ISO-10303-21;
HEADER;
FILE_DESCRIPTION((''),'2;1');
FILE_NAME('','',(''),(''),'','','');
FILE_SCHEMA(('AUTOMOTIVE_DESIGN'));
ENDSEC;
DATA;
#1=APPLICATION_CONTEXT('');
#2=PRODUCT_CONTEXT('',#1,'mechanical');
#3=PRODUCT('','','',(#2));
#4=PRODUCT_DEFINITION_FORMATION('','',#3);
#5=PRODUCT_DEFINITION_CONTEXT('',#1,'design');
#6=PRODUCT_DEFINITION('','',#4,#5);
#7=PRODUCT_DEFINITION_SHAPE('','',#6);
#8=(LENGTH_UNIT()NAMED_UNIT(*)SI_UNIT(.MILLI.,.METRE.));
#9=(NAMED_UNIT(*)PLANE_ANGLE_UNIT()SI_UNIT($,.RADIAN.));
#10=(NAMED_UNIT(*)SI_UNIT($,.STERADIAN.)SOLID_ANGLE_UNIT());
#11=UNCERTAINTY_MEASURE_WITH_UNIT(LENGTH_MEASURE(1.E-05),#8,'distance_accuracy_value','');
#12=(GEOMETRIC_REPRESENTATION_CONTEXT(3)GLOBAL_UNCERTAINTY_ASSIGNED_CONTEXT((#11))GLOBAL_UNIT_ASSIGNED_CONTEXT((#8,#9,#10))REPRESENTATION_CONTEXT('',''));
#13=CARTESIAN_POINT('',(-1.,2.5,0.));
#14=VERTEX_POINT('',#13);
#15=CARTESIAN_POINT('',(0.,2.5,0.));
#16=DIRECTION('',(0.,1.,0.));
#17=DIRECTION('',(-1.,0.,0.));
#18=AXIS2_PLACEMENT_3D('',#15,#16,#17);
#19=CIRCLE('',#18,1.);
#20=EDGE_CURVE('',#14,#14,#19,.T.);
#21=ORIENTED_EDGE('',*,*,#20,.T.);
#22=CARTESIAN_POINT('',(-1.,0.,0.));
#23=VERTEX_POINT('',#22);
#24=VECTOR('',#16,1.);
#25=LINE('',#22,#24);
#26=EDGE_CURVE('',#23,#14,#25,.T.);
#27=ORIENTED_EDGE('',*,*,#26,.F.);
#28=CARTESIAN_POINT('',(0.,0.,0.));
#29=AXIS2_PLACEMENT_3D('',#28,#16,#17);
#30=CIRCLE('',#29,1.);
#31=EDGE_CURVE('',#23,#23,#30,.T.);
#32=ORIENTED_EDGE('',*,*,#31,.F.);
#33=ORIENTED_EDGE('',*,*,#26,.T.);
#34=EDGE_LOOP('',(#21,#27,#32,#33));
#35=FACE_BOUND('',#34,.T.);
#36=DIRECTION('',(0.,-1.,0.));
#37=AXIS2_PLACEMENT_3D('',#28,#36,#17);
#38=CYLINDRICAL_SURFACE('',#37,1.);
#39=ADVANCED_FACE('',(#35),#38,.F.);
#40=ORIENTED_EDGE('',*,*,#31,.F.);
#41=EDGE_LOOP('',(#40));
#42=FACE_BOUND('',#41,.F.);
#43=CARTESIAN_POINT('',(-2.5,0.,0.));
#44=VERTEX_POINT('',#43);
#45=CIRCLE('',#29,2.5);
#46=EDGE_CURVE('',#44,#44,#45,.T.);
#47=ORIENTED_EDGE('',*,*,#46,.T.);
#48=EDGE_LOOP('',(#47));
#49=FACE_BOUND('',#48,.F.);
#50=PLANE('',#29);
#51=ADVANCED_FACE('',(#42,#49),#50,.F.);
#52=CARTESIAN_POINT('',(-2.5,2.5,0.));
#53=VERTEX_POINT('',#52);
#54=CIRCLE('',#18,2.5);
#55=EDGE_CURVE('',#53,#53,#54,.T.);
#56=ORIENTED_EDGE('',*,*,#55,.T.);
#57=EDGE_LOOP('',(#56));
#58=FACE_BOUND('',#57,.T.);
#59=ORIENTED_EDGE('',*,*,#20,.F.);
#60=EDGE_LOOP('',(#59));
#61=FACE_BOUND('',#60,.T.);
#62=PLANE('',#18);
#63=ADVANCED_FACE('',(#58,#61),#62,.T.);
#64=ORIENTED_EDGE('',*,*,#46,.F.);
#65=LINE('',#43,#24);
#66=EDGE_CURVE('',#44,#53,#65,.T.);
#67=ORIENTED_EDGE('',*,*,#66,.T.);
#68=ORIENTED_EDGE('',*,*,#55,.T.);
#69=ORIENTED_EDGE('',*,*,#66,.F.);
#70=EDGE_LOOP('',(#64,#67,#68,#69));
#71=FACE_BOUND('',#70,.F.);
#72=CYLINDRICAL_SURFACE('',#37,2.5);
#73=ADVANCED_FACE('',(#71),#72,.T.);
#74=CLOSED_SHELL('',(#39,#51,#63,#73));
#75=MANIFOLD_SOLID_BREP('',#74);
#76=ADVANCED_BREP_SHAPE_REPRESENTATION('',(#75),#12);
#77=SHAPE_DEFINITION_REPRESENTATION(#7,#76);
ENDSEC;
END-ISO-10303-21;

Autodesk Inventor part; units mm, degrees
ref_plane "YZ Plane" through (0, 0, 0) normal (1, 0, 0) x (0, 1, 0)
ref_plane "XZ Plane" through (0, 0, 0) normal (0, 1, 0) x (-1, 0, 0)
ref_plane "XY Plane" through (0, 0, 0) normal (0, 0, 1) x (1, 0, 0)
sketch "Эскиз1" plane through (0, 0, 0) normal (0, 1, 0) x (-1, 0, 0)
  circle A0 centre (0, 0) radius 1
  circle A1 centre (0, 0) radius 2.5
  dimension "d0" = 2
  dimension "d1" = 5
extrude "Выдавливание1" add sketch "Эскиз1" along normal blind 2.5
properties part number "подшипник мини"
